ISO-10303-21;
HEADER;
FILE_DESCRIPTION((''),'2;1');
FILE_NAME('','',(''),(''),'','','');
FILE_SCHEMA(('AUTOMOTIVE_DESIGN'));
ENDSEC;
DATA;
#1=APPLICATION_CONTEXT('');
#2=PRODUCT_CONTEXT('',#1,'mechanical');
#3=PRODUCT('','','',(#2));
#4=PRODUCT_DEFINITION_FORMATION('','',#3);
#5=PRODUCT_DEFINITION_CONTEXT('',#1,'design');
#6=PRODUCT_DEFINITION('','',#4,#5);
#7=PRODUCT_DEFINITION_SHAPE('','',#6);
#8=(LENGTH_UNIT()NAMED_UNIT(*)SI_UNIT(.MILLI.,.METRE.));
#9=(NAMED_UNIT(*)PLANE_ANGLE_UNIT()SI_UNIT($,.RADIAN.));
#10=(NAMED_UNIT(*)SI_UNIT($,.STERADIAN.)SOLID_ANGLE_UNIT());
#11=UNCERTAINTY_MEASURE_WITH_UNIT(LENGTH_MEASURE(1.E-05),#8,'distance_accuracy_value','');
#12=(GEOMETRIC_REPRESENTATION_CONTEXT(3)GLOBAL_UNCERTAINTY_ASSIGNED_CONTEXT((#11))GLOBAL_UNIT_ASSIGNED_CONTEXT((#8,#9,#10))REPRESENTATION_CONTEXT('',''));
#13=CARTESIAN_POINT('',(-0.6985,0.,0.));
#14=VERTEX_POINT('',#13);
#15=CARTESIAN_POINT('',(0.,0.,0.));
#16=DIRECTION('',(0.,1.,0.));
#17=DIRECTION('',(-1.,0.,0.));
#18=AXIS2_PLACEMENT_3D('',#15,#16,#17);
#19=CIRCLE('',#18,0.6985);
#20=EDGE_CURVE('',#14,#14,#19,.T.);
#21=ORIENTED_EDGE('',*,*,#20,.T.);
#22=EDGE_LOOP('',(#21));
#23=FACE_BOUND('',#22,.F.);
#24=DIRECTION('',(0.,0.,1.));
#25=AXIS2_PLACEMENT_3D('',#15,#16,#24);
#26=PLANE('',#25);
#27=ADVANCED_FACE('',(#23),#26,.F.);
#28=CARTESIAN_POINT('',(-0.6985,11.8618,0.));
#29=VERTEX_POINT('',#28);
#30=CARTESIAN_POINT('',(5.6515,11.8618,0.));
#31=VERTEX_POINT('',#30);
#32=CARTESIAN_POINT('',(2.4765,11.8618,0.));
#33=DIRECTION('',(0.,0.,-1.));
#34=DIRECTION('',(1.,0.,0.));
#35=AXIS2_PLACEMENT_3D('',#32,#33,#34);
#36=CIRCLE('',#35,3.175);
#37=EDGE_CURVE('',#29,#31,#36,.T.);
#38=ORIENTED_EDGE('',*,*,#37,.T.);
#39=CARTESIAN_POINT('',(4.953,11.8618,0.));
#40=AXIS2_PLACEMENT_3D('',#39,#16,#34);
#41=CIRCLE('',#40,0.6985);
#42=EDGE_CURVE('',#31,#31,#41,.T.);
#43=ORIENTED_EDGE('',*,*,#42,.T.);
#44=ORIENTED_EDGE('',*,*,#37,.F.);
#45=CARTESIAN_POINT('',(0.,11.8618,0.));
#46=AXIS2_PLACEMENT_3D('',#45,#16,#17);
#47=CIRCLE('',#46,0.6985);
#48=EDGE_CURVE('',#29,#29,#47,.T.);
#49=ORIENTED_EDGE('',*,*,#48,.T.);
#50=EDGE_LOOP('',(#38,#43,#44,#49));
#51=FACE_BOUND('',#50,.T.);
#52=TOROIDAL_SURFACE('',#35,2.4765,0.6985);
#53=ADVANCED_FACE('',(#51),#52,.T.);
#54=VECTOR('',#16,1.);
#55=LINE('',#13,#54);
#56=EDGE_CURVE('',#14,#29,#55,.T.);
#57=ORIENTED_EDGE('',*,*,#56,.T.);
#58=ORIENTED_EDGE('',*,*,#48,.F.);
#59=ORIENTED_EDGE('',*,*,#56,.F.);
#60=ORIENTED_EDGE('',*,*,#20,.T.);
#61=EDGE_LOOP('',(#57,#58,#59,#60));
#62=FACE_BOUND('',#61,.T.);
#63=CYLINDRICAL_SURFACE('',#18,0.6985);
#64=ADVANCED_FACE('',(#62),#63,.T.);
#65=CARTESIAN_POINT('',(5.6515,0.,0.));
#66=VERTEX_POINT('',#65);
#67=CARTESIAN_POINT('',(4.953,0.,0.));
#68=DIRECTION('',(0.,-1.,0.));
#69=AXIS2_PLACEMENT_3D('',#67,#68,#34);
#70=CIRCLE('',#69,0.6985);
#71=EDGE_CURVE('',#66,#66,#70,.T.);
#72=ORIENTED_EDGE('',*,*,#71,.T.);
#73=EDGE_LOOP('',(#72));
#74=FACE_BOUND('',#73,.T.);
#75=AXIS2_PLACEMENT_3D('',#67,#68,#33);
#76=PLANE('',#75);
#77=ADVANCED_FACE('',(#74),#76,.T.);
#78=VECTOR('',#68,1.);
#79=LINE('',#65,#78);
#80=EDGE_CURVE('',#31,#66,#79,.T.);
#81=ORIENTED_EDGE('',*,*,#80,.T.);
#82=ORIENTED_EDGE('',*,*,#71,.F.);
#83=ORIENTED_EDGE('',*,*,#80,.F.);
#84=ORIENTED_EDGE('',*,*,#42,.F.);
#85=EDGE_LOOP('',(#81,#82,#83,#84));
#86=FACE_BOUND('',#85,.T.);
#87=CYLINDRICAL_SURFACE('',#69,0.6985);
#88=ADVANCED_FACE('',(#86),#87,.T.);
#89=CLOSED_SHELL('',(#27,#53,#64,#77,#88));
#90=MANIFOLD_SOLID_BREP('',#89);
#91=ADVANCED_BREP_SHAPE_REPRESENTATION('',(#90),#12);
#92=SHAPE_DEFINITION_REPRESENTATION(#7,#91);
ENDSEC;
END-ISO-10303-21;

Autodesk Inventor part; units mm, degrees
ref_plane "YZ Plane" through (0, 0, 0) normal (1, 0, 0) x (0, 1, 0)
ref_plane "XZ Plane" through (0, 0, 0) normal (0, 1, 0) x (-1, 0, 0)
ref_plane "XY Plane" through (0, 0, 0) normal (0, 0, 1) x (1, 0, 0)
sketch "Sketch1" plane through (0, 0, 0) normal (0, 0, 1) x (1, 0, 0)
  line L0 (0, 0) -> (0, 11.8618)
  line L1 (4.953, 0) -> (4.953, 11.8618)
  arc A0 (4.953, 11.8618) -> (0, 11.8618) centre (2.4765, 11.8618) ccw
  dimension "d0" = 11.8618
  dimension "d1" = 4.953
  dimension "d2" = 11.8618
  dimension "d3" = 2.4765
  dimension "d4" = 4.953
sketch "Sketch2" plane through (0, 0, 0) normal (0, 1, 0) x (-1, 0, 0)
  circle A0 centre (0, 0) radius 0.6985
  dimension "d6" = 1.397
sweep "Sweep1" add profiles "Sketch2" path "Sketch1"
properties part number "Small_Staple"
